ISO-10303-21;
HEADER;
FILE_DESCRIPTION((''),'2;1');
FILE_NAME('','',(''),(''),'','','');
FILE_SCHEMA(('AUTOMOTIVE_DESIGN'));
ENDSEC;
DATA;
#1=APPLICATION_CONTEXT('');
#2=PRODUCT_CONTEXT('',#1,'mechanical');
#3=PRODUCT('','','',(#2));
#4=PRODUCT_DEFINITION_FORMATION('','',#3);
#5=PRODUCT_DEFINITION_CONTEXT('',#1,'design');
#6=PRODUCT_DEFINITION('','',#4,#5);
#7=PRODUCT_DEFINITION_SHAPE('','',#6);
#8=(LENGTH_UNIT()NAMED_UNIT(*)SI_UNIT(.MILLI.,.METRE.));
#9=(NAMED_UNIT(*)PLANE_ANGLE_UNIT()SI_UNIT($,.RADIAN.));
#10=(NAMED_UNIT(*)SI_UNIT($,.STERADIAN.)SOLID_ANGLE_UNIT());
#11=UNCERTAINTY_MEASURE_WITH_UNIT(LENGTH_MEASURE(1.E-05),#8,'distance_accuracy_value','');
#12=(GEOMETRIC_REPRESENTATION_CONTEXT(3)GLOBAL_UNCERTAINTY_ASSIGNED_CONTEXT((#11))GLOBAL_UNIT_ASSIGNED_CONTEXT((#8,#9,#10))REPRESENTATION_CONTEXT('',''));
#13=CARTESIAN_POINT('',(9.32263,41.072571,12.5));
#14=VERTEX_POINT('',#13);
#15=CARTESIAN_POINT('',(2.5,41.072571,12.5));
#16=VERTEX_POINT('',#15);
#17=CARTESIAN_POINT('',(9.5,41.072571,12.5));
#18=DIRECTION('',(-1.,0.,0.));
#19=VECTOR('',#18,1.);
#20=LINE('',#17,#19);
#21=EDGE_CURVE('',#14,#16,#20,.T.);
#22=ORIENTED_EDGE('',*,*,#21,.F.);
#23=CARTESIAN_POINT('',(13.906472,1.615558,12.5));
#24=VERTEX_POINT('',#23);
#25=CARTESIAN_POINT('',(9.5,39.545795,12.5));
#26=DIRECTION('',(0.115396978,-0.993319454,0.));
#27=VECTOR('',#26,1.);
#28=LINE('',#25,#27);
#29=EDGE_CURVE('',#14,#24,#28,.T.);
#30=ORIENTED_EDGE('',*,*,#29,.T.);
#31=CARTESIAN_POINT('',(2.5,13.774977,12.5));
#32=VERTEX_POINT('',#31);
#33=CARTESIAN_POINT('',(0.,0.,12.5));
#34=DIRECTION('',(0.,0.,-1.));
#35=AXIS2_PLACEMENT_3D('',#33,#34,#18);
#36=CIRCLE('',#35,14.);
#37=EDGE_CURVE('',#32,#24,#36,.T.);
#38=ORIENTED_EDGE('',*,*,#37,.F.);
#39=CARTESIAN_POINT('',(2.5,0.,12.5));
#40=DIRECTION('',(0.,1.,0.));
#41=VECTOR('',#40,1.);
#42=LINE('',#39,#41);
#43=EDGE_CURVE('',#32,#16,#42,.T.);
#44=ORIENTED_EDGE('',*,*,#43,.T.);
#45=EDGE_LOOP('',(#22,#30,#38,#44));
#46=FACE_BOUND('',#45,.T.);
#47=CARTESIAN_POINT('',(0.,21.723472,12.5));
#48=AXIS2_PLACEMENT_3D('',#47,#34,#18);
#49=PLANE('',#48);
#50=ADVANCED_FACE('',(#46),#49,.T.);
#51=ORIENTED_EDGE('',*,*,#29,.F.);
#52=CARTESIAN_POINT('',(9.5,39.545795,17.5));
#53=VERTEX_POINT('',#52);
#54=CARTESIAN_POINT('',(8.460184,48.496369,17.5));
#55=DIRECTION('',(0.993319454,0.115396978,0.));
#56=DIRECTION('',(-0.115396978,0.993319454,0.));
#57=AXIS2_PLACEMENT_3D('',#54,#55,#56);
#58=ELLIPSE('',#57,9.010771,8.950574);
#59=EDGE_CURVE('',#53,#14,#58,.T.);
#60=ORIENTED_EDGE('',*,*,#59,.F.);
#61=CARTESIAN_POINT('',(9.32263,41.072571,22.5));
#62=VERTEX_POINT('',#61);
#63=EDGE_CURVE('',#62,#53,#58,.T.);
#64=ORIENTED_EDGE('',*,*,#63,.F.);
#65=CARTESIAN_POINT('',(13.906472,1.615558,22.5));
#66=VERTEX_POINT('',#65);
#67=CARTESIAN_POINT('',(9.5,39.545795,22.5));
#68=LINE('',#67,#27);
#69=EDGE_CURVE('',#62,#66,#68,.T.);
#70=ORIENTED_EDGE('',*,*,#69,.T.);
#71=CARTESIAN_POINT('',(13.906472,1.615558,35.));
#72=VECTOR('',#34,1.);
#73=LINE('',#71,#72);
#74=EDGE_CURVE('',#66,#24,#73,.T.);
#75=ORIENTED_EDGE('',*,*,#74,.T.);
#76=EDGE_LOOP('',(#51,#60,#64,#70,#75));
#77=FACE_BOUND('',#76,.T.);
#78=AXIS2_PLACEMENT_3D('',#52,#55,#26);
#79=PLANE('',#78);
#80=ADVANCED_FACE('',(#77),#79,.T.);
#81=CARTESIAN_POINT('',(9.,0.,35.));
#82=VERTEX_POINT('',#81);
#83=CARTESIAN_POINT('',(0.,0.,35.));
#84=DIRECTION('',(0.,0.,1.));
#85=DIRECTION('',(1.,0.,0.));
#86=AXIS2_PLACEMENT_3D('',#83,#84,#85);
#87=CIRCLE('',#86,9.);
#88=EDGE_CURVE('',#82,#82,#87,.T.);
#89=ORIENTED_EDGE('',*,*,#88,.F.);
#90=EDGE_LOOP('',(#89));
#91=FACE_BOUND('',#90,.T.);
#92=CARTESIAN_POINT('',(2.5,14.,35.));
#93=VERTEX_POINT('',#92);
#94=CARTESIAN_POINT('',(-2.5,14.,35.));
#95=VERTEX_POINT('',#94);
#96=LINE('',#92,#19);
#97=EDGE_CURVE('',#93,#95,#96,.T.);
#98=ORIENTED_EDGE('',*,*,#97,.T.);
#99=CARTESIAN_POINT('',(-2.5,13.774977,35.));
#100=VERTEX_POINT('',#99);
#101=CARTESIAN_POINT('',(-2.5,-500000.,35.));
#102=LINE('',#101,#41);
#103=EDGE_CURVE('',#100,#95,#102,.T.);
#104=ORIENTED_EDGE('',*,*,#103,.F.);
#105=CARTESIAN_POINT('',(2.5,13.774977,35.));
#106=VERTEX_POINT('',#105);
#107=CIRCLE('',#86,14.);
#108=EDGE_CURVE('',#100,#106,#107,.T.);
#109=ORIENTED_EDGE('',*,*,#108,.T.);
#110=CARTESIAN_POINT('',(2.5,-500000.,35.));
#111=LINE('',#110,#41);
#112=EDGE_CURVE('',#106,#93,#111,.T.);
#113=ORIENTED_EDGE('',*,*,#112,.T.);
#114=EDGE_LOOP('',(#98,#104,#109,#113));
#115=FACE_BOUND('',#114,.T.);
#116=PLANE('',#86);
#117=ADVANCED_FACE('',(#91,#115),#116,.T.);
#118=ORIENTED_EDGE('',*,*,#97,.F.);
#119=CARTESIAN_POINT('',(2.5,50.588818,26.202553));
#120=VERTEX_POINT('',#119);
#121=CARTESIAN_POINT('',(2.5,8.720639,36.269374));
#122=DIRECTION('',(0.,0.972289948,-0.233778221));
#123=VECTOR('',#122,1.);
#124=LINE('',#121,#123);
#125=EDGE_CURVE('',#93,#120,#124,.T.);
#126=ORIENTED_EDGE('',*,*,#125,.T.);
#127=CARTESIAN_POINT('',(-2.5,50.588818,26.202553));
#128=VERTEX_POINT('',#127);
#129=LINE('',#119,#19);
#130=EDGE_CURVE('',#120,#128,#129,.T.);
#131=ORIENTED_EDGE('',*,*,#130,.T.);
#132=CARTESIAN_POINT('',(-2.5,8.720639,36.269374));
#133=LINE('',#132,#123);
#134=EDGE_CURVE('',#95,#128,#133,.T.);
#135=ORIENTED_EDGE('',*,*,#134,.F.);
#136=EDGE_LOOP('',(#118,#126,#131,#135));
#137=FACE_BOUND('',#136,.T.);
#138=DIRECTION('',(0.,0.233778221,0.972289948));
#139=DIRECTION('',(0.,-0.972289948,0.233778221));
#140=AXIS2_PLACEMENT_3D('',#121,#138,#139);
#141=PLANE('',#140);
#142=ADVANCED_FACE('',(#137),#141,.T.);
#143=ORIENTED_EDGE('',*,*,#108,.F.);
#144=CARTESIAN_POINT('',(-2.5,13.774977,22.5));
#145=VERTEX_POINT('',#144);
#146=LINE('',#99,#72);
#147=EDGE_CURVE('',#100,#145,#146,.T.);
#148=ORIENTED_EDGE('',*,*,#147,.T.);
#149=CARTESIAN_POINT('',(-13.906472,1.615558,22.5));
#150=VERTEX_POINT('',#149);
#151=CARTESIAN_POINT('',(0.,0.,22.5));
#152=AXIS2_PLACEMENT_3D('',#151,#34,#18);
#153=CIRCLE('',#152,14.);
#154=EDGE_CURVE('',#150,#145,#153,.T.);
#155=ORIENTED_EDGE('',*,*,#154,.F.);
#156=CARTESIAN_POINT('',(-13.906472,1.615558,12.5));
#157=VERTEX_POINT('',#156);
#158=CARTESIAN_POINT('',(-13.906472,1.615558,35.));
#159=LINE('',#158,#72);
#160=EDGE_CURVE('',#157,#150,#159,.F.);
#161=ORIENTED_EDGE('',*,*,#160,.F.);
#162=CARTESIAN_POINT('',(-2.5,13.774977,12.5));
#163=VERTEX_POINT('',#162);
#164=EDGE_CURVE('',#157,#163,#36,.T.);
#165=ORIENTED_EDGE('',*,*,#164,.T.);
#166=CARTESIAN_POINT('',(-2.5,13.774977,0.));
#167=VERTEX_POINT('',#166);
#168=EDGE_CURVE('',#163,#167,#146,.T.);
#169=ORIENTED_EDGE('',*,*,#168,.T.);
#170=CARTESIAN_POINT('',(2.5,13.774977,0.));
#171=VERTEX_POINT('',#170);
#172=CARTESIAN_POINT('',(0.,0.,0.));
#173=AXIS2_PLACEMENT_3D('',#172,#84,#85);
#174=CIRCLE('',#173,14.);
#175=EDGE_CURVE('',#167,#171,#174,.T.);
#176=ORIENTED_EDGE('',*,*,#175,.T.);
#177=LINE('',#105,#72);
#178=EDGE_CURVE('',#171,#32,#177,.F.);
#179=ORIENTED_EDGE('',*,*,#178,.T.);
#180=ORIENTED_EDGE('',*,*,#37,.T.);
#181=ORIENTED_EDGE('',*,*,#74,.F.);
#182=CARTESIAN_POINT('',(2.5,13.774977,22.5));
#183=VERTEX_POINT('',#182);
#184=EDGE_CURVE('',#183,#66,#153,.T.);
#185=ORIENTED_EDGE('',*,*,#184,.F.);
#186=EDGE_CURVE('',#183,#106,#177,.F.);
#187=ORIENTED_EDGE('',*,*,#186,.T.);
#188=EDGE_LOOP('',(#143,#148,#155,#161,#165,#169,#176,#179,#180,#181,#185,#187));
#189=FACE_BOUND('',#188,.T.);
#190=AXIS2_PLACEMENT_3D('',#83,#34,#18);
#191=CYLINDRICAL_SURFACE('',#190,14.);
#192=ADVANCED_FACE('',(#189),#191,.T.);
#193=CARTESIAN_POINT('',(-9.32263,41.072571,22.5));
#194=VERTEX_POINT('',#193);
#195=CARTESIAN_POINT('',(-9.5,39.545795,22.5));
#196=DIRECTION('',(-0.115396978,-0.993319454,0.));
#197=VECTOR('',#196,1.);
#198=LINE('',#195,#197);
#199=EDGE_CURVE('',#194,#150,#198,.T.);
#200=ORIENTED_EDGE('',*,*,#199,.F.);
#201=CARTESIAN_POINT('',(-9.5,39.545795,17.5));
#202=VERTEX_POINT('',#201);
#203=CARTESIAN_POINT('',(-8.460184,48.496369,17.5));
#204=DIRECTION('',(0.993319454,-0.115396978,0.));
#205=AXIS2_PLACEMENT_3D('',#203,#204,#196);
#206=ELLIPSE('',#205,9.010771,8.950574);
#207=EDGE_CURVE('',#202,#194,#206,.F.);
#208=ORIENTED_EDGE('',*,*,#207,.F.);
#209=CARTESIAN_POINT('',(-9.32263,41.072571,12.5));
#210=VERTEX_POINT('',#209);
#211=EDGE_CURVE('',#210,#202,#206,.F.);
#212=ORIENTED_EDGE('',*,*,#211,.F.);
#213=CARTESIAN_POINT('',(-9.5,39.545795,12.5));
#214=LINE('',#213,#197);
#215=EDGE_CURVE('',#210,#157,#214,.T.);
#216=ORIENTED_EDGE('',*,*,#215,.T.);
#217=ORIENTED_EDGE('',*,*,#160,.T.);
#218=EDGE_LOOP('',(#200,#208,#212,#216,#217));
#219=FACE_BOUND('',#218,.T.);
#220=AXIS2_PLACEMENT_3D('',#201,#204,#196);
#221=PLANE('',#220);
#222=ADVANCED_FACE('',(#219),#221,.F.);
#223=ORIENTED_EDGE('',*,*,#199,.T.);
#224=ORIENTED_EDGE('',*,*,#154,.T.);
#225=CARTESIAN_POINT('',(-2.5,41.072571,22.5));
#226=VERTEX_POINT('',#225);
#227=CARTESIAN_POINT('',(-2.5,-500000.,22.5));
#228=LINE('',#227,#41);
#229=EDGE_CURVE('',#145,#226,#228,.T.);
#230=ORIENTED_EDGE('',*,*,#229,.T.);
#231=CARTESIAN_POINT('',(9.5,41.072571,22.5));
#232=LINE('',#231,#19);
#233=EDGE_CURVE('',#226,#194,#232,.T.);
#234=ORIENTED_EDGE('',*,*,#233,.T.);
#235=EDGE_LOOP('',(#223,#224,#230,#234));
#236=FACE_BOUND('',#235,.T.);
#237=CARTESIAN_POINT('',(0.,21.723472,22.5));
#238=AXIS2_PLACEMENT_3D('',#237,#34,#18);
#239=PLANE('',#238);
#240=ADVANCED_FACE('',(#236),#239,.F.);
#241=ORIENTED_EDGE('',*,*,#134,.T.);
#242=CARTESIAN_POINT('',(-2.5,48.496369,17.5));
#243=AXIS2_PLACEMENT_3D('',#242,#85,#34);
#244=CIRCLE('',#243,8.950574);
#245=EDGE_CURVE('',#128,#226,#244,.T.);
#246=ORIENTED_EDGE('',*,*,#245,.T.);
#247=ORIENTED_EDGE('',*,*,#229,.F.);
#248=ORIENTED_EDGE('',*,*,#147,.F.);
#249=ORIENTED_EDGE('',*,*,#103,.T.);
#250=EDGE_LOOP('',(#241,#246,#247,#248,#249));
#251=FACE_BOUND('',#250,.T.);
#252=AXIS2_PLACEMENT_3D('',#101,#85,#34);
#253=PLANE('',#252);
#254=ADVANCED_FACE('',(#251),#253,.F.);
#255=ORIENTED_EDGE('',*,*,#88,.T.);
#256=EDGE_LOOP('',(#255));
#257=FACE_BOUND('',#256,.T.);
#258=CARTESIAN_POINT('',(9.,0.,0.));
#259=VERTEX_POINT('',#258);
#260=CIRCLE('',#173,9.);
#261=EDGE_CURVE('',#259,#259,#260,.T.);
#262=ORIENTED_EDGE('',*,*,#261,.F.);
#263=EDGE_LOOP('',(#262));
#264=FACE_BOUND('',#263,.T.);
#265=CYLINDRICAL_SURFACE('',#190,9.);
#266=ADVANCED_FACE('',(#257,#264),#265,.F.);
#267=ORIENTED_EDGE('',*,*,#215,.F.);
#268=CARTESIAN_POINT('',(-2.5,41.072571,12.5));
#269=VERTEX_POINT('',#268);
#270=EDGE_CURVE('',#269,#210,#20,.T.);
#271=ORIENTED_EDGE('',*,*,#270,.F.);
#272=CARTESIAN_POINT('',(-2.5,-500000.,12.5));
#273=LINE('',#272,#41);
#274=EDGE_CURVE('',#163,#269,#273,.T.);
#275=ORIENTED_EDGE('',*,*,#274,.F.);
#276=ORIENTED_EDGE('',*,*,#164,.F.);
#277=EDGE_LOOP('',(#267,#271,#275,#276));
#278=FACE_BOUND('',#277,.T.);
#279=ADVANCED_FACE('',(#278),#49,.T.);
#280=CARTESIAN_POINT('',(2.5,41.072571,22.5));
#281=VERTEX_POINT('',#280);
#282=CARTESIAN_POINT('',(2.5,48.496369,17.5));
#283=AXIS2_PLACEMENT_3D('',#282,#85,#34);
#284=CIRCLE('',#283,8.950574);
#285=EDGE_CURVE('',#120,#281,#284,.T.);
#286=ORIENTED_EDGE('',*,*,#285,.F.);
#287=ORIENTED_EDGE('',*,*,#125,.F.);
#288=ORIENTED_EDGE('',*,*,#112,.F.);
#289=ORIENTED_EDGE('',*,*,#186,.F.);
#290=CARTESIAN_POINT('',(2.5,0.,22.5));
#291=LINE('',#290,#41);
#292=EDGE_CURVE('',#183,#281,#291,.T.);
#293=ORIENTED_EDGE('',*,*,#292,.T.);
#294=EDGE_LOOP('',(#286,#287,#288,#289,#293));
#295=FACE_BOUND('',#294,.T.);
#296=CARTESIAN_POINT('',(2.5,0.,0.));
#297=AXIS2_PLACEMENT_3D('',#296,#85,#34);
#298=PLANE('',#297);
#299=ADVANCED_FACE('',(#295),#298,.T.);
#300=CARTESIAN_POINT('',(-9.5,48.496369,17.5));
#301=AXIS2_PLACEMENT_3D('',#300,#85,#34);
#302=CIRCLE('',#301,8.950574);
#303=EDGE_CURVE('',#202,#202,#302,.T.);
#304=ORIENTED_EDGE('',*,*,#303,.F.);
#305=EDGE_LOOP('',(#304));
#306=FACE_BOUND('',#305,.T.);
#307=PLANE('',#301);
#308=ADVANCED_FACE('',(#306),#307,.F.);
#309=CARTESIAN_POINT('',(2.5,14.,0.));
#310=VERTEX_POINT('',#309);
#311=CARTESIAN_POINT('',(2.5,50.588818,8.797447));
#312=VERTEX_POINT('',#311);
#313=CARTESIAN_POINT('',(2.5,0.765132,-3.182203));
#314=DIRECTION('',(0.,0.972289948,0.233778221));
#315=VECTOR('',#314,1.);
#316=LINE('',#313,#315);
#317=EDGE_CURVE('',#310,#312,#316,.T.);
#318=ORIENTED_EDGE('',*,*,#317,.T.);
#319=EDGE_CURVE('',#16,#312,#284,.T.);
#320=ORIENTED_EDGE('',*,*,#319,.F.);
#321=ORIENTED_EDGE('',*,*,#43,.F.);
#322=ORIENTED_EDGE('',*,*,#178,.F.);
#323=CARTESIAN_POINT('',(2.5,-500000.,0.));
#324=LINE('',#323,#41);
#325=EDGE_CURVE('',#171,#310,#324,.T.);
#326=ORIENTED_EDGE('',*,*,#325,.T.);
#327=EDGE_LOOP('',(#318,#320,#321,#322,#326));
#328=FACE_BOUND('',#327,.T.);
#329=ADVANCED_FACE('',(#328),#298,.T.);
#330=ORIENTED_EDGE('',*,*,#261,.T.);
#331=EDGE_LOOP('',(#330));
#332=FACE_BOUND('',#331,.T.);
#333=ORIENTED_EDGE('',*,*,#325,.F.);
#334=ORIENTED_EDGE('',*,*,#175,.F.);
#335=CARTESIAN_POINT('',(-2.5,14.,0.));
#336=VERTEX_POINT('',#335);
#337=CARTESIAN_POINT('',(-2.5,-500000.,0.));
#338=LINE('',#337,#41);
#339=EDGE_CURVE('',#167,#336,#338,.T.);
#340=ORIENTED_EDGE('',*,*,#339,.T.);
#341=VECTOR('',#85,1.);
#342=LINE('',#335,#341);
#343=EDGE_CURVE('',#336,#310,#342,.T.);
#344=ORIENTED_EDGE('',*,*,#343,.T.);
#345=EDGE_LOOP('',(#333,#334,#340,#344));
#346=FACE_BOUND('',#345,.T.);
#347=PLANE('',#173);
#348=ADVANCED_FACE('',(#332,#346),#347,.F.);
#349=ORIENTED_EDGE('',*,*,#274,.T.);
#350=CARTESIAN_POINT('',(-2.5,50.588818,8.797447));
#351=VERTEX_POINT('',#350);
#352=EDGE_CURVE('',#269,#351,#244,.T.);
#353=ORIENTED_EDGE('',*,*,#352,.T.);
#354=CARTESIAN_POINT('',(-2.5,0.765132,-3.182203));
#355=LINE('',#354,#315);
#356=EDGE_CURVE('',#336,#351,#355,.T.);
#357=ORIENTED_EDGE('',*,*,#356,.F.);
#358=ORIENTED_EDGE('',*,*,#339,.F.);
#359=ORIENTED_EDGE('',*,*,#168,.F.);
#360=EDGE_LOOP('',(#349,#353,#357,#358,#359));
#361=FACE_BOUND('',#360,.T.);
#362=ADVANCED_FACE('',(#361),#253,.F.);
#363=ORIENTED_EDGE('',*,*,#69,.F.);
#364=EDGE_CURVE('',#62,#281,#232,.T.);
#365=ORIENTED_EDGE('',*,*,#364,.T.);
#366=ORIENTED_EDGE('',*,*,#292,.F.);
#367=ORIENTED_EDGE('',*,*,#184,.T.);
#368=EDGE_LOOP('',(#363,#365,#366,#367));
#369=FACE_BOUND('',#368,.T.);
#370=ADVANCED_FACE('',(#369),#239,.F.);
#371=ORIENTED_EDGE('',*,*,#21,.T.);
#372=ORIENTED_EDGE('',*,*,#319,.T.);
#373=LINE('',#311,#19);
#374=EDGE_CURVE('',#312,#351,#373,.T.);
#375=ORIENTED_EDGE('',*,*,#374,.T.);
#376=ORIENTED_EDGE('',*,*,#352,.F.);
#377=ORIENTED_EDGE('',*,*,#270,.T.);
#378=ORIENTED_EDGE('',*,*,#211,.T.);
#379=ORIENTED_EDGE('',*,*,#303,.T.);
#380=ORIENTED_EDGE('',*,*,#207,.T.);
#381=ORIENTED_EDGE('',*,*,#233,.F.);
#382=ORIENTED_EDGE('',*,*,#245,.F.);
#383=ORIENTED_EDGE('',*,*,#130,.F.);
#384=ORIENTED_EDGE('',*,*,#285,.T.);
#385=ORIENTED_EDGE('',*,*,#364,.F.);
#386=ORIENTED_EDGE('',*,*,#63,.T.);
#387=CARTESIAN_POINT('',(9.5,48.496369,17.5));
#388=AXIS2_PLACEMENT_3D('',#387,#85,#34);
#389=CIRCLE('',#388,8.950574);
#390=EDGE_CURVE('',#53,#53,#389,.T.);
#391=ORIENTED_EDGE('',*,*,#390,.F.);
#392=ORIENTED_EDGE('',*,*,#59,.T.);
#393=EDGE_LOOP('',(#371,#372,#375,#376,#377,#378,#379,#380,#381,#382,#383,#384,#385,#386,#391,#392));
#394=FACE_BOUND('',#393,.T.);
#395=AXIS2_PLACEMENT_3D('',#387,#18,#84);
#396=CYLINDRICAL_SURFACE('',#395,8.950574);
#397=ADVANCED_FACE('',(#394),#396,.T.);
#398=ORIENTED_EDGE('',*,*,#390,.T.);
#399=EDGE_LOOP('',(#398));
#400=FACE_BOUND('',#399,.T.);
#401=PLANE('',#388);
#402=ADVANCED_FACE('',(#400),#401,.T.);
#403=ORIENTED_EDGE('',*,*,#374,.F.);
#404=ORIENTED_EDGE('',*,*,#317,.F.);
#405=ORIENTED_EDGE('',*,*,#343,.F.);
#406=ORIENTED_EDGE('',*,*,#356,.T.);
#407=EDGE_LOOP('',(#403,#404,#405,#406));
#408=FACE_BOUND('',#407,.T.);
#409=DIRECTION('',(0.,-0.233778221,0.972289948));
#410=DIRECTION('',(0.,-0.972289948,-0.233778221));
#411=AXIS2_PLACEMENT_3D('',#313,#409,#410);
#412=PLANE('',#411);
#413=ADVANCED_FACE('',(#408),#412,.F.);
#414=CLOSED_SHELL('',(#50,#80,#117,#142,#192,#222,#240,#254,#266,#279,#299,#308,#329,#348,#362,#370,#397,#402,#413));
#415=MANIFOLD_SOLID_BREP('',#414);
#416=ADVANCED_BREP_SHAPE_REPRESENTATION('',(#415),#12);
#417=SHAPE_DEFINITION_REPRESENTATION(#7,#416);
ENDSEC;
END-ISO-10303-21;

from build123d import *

# Parameters (mm, degrees)
SKETCH1_R           = 14
SKETCH1_R_2         = 9
BOSS_EXTRUDE1_DEPTH = 35
SKETCH3_R           = 8.950574332
BOSS_EXTRUDE2_DEPTH = 9.5
BOSS_EXTRUDE3_DEPTH = 2.5
SKETCH7_W           = 5
SKETCH7_H           = 35
BOSS_EXTRUDE5_DEPTH = 0.225023
RIB12_REACH         = 63.664
SKETCH6_WALL_W      = 163.51256394
SKETCH6_WALL_H      = 10


with BuildPart() as part:
    # Sketch1 → Boss-Extrude1 (new body)
    with BuildSketch(Plane.XY):
        Circle(SKETCH1_R)
        Circle(SKETCH1_R_2, mode=Mode.SUBTRACT)
    extrude(amount=BOSS_EXTRUDE1_DEPTH)



with BuildPart() as body_2:
    # Sketch3 → Boss-Extrude2 (new, symmetric)
    with BuildSketch(Plane(origin=(0, 0, 0), x_dir=(0, 0, -1), z_dir=(1, 0, 0))):
        with Locations((-17.5, 48.496368985)):
            Circle(SKETCH3_R)
    extrude(amount=BOSS_EXTRUDE2_DEPTH, both=True)

    # Sketch3<3> → Boss-Extrude3 (add, symmetric)
    with BuildSketch(Plane(origin=(0, 0, 0), x_dir=(0, 0, -1), z_dir=(1, 0, 0))):
        with BuildLine():
            Line((-26.202553454, 50.588818327), (-35, 14))
            Line((-35, 14), (0, 14))
            Line((0, 14), (-8.797446546, 50.588818327))
            ThreePointArc((-8.797446546, 50.588818327), (-8.61164716, 49.549917585), (-8.549425668, 48.496368985))
            ThreePointArc((-8.549425668, 48.496368985), (-18.553548599, 39.608016145), (-26.202553454, 50.588818327))
        make_face()
    extrude(amount=BOSS_EXTRUDE3_DEPTH, both=True)


with BuildPart() as part_1:
    add(part.part)

    add(body_2.part)  # Boss-Extrude5 merges body 2
    # Sketch7 → Boss-Extrude5 (add)
    with BuildSketch(Plane.XZ.offset(-14)):
        with Locations((0, 17.5)):
            Rectangle(SKETCH7_W, SKETCH7_H)
    extrude(amount=BOSS_EXTRUDE5_DEPTH)

    # Sketch6 wall → Rib12 (add, up to next)
    with BuildSketch(Plane(origin=(11.703236177, 20.580676171, 17.5), x_dir=(0.115396977809, -0.993319453908, 0), z_dir=(-0.993319453908, -0.115396977809, 0)), mode=Mode.PRIVATE) as rib12_sk1:
        Rectangle(SKETCH6_WALL_W, SKETCH6_WALL_H)
    rib12_tool1 = extrude(rib12_sk1.sketch, amount=RIB12_REACH, mode=Mode.PRIVATE) - part_1.part
    rib12 = rib12_tool1.solids().sort_by_distance((11.703236177, 20.580676171, 17.5))[0]
    add(rib12)

    # Mirror1: Rib12 across plane
    add(rib12.mirror(Plane(origin=(0, 0, 0), x_dir=(0, 0, 1), z_dir=(1, 0, 0))))


solid = part_1.part
